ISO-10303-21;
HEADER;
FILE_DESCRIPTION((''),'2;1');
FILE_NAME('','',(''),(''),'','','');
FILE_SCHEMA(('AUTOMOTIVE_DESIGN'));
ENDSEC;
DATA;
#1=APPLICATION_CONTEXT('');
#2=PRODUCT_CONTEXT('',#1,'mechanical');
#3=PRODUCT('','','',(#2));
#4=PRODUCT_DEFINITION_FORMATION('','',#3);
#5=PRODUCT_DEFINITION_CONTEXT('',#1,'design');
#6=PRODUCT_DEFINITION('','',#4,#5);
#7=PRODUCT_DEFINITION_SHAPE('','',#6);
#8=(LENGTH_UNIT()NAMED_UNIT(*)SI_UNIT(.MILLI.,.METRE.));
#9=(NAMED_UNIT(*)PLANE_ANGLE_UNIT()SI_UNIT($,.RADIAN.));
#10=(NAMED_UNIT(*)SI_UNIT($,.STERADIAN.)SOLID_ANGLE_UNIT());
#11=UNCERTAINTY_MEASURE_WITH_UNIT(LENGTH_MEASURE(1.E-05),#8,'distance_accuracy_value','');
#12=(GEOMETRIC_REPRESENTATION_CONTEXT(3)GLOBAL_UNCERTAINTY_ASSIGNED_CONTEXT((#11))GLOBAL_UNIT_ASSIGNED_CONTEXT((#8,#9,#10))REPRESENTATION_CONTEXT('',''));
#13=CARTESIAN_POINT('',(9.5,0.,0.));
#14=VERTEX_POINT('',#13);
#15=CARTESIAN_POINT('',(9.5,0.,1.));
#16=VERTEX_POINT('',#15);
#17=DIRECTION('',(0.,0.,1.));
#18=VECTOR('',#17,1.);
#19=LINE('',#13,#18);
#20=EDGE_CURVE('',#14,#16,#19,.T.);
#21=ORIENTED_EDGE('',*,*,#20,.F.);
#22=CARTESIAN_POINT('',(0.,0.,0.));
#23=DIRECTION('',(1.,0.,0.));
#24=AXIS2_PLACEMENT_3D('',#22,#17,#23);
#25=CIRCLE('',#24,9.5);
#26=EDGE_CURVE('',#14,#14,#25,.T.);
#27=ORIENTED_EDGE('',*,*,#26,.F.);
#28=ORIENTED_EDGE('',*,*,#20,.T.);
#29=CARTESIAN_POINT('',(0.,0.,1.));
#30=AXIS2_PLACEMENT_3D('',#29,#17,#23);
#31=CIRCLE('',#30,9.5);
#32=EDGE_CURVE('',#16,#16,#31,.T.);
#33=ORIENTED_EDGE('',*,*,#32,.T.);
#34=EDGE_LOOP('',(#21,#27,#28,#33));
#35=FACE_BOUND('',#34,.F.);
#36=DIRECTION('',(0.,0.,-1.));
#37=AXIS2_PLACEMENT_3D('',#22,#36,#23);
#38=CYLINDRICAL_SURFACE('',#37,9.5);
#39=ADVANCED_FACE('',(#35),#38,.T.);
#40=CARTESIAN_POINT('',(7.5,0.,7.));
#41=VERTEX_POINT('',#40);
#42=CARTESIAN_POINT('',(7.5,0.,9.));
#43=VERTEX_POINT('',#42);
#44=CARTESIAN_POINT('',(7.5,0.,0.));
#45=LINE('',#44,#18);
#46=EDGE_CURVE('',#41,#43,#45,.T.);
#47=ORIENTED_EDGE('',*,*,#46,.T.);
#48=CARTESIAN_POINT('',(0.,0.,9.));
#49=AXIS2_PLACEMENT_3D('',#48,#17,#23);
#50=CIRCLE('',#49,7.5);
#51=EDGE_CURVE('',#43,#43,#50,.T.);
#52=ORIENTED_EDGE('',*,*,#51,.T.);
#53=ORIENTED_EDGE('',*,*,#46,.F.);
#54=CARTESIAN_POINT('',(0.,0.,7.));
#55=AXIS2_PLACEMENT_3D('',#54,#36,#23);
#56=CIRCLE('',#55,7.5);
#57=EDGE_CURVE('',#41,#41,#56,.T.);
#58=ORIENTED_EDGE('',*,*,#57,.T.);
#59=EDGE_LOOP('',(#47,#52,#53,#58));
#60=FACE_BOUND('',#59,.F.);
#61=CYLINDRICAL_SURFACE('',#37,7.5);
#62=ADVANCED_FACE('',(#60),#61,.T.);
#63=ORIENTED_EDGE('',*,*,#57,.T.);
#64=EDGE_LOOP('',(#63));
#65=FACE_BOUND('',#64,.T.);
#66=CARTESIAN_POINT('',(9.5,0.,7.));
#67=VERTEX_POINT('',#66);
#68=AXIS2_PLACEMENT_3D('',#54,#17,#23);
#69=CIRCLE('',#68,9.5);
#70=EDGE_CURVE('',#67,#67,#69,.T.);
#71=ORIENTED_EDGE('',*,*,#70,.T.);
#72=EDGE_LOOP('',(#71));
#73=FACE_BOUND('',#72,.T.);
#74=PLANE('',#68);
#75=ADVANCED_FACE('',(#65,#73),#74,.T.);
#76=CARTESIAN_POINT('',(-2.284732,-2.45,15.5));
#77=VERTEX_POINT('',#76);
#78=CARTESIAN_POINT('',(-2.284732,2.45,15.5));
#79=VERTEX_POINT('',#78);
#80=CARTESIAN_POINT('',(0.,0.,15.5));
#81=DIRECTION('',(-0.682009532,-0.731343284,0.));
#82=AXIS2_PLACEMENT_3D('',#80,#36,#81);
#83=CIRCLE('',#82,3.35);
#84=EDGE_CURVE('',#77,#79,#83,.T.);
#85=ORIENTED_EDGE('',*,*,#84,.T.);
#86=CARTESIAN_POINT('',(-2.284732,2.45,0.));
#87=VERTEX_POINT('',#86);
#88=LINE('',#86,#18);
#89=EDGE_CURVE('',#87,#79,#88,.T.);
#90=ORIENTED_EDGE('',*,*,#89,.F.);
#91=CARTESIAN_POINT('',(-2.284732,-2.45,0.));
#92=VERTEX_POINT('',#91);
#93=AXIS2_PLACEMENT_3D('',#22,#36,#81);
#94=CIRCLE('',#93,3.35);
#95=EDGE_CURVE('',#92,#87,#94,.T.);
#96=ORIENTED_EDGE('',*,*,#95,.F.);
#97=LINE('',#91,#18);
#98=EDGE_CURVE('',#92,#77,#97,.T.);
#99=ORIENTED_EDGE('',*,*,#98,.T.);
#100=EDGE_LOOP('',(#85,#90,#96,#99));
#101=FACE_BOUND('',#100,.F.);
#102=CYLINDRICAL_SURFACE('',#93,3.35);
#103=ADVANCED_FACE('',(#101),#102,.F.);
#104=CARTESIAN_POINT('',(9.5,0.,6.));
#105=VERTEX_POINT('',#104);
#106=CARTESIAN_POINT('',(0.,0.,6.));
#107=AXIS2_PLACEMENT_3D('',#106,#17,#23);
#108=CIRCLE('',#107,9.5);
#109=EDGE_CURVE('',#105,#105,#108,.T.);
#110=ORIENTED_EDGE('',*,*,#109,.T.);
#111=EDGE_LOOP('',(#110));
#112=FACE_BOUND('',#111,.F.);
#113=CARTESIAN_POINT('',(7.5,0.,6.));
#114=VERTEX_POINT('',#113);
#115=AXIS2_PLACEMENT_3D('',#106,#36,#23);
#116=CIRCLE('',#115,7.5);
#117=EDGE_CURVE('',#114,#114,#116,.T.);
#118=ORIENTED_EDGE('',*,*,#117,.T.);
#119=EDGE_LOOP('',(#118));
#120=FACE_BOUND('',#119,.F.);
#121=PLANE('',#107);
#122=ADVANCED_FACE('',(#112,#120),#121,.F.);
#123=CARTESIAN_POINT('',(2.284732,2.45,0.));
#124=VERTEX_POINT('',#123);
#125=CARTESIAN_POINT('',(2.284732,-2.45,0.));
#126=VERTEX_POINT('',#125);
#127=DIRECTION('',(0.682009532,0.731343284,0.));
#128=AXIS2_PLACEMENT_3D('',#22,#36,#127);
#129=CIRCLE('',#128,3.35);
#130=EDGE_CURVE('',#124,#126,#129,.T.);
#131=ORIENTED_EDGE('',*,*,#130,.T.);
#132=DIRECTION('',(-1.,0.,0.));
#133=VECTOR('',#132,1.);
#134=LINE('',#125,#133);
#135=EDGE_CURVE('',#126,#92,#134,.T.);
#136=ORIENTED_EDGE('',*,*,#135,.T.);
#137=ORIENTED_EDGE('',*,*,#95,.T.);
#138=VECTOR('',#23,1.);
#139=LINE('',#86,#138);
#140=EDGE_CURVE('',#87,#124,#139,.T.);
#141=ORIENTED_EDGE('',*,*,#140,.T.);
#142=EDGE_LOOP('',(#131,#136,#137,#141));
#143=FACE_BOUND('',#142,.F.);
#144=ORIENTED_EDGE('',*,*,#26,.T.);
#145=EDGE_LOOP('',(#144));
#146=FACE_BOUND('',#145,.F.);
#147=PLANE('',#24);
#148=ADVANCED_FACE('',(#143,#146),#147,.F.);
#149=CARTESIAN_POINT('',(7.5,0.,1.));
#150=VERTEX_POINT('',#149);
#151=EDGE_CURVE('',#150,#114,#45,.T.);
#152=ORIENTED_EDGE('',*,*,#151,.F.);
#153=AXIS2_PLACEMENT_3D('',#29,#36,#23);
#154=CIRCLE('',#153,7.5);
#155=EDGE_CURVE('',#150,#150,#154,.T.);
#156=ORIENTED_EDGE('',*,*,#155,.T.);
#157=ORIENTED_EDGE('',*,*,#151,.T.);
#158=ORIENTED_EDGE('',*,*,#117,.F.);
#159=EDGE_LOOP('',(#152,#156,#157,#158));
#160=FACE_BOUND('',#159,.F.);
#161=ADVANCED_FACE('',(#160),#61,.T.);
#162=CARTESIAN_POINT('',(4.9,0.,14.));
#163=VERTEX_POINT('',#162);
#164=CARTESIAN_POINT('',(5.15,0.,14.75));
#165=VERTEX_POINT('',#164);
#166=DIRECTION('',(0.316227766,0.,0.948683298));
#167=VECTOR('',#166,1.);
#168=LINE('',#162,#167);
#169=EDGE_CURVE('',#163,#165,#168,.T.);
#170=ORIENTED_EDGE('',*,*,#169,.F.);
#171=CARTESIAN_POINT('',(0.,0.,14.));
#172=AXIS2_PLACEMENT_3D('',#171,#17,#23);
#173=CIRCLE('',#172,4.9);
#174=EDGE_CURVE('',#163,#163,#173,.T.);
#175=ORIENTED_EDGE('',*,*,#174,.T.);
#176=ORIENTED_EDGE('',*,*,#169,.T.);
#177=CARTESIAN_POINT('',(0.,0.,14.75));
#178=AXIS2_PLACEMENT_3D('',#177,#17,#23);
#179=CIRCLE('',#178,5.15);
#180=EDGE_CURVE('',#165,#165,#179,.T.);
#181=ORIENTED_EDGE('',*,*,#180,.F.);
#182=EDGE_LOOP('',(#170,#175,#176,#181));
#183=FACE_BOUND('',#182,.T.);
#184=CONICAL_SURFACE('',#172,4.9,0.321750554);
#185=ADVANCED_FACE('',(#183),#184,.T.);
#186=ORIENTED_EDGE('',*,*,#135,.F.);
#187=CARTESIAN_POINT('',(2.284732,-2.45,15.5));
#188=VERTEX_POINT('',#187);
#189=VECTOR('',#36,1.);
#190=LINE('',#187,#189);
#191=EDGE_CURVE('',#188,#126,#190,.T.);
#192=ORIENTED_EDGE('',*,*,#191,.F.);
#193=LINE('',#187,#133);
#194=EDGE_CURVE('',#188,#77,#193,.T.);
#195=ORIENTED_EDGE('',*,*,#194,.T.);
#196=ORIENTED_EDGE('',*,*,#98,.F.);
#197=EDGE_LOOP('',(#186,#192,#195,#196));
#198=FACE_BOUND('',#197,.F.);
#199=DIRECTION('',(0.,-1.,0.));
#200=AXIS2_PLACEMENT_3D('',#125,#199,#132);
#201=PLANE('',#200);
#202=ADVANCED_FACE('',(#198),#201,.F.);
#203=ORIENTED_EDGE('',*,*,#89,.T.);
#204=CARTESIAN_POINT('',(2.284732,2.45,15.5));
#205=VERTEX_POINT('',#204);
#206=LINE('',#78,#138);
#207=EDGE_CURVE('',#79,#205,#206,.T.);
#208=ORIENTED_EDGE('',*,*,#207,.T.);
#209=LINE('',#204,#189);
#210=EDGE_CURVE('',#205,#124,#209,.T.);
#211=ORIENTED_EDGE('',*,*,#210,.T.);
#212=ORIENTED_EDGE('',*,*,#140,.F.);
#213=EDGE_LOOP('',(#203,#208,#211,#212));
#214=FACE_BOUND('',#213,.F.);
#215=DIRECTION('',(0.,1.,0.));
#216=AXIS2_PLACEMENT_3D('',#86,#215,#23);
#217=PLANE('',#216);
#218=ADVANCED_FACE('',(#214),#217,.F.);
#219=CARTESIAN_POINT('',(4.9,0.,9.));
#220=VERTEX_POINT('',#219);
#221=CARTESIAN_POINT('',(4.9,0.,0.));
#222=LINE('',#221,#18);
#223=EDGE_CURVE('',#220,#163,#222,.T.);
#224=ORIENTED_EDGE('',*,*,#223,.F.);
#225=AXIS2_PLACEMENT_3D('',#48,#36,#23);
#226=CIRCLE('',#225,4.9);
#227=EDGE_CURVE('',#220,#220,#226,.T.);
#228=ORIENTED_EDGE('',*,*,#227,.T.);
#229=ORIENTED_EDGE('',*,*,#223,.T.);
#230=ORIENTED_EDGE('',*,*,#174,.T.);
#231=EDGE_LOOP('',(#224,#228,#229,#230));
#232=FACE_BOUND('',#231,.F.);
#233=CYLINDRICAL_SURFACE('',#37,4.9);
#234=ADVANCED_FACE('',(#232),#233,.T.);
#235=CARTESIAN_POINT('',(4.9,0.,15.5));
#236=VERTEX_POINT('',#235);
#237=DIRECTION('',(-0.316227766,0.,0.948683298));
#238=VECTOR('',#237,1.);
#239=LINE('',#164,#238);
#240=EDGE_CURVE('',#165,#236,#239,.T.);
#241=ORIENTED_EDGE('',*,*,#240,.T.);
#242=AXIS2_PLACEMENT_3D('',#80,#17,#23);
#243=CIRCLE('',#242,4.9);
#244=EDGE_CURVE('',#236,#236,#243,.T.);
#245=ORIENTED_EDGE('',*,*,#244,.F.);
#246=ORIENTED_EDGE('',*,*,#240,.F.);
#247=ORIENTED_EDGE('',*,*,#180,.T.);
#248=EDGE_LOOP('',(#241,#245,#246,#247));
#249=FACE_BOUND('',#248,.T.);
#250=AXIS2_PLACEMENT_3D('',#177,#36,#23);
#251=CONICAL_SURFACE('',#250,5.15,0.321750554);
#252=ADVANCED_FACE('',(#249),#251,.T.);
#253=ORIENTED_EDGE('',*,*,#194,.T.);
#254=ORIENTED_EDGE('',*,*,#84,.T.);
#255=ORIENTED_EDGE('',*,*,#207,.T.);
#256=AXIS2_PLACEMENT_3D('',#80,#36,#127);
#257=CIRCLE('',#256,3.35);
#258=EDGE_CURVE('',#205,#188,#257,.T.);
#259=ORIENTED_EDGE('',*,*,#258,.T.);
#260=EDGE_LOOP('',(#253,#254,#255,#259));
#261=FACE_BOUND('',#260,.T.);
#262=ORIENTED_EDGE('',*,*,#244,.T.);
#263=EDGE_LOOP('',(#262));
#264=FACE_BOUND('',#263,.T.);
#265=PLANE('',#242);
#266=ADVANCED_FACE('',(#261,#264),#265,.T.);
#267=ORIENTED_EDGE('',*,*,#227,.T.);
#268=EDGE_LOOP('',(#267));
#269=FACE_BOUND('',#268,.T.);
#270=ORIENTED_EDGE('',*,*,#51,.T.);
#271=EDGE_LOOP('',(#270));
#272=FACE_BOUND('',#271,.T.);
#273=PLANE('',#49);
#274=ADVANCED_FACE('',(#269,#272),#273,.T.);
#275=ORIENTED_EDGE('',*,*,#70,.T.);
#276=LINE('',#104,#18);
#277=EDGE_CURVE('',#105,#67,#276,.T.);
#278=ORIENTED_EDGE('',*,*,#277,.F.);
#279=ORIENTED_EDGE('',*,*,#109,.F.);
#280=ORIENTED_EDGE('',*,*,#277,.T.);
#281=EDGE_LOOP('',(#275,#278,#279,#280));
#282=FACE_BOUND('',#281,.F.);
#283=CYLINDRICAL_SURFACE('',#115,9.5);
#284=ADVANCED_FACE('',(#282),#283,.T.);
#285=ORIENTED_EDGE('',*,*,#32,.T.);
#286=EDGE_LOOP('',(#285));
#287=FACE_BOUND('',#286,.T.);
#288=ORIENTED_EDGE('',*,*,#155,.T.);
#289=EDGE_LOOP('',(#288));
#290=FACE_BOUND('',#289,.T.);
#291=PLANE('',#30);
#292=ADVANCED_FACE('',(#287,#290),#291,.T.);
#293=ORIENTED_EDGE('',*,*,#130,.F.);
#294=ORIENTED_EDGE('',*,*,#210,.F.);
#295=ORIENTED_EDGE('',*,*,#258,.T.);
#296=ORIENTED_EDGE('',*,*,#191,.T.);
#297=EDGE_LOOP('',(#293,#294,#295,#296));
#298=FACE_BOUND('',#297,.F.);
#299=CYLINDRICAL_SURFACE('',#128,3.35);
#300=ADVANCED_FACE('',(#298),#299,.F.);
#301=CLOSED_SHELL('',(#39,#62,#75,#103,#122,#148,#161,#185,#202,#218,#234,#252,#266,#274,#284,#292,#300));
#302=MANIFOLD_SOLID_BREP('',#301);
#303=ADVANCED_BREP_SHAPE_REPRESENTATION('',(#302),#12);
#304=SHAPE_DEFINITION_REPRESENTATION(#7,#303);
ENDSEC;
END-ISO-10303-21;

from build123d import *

# Parameters (mm, degrees)
F3_R     = 9.5
F3_R_2   = 7.5
F3_R_3   = 4.9
F4_DEPTH = 1
F6_DEPTH = 9
F7_DEPTH = 15.5


with BuildPart() as f4:
    # F3 (on Top) → F4 (new body)
    with BuildSketch(Plane.XY):
        Circle(F3_R)
        Circle(F3_R_2, mode=Mode.SUBTRACT)
        Circle(F3_R_2)
        Circle(F3_R_3, mode=Mode.SUBTRACT)
        Circle(F3_R_3)
        with BuildLine():
            ThreePointArc((-2.2847319318, -2.45), (-3.35, 0), (-2.2847319318, 2.45))
            Line((-2.2847319318, 2.45), (2.2847319318, 2.45))
            ThreePointArc((2.2847319318, 2.45), (3.35, 0), (2.2847319318, -2.45))
            Line((2.2847319318, -2.45), (-2.2847319318, -2.45))
        make_face(mode=Mode.SUBTRACT)
    extrude(amount=F4_DEPTH)


with BuildPart() as f5_1:
    # F5: copy of F4
    add(f4.part.moved(Location((0, 0, 6))))


with BuildPart() as f6:
    # F3 (on Top) → F6 (new body)
    with BuildSketch(Plane.XY):
        Circle(F3_R_2)
        Circle(F3_R_3, mode=Mode.SUBTRACT)
        Circle(F3_R_3)
        with BuildLine():
            ThreePointArc((-2.2847319318, -2.45), (-3.35, 0), (-2.2847319318, 2.45))
            Line((-2.2847319318, 2.45), (2.2847319318, 2.45))
            ThreePointArc((2.2847319318, 2.45), (3.35, 0), (2.2847319318, -2.45))
            Line((2.2847319318, -2.45), (-2.2847319318, -2.45))
        make_face(mode=Mode.SUBTRACT)
    extrude(amount=F6_DEPTH)


with BuildPart() as f4_1:
    add(f4.part)

    add(f5_1.part)  # F7 merges F5_1

    add(f6.part)  # F7 merges F6
    # F3 (on Top) → F7 (join)
    with BuildSketch(Plane.XY):
        Circle(F3_R_3)
        with BuildLine():
            ThreePointArc((-2.2847319318, -2.45), (-3.35, 0), (-2.2847319318, 2.45))
            Line((-2.2847319318, 2.45), (2.2847319318, 2.45))
            ThreePointArc((2.2847319318, 2.45), (3.35, 0), (2.2847319318, -2.45))
            Line((2.2847319318, -2.45), (-2.2847319318, -2.45))
        make_face(mode=Mode.SUBTRACT)
    extrude(amount=F7_DEPTH)

    # F8 (on Front) → F9 (revolve)
    with BuildSketch(Plane.XZ):
        Polygon((5.15, 14.75), (4.9, 15.5), (4.9, 14), align=None)
    revolve(axis=Axis((0, 0, 8.7542282417), (0, 0, 1)))


solid = f4_1.part
